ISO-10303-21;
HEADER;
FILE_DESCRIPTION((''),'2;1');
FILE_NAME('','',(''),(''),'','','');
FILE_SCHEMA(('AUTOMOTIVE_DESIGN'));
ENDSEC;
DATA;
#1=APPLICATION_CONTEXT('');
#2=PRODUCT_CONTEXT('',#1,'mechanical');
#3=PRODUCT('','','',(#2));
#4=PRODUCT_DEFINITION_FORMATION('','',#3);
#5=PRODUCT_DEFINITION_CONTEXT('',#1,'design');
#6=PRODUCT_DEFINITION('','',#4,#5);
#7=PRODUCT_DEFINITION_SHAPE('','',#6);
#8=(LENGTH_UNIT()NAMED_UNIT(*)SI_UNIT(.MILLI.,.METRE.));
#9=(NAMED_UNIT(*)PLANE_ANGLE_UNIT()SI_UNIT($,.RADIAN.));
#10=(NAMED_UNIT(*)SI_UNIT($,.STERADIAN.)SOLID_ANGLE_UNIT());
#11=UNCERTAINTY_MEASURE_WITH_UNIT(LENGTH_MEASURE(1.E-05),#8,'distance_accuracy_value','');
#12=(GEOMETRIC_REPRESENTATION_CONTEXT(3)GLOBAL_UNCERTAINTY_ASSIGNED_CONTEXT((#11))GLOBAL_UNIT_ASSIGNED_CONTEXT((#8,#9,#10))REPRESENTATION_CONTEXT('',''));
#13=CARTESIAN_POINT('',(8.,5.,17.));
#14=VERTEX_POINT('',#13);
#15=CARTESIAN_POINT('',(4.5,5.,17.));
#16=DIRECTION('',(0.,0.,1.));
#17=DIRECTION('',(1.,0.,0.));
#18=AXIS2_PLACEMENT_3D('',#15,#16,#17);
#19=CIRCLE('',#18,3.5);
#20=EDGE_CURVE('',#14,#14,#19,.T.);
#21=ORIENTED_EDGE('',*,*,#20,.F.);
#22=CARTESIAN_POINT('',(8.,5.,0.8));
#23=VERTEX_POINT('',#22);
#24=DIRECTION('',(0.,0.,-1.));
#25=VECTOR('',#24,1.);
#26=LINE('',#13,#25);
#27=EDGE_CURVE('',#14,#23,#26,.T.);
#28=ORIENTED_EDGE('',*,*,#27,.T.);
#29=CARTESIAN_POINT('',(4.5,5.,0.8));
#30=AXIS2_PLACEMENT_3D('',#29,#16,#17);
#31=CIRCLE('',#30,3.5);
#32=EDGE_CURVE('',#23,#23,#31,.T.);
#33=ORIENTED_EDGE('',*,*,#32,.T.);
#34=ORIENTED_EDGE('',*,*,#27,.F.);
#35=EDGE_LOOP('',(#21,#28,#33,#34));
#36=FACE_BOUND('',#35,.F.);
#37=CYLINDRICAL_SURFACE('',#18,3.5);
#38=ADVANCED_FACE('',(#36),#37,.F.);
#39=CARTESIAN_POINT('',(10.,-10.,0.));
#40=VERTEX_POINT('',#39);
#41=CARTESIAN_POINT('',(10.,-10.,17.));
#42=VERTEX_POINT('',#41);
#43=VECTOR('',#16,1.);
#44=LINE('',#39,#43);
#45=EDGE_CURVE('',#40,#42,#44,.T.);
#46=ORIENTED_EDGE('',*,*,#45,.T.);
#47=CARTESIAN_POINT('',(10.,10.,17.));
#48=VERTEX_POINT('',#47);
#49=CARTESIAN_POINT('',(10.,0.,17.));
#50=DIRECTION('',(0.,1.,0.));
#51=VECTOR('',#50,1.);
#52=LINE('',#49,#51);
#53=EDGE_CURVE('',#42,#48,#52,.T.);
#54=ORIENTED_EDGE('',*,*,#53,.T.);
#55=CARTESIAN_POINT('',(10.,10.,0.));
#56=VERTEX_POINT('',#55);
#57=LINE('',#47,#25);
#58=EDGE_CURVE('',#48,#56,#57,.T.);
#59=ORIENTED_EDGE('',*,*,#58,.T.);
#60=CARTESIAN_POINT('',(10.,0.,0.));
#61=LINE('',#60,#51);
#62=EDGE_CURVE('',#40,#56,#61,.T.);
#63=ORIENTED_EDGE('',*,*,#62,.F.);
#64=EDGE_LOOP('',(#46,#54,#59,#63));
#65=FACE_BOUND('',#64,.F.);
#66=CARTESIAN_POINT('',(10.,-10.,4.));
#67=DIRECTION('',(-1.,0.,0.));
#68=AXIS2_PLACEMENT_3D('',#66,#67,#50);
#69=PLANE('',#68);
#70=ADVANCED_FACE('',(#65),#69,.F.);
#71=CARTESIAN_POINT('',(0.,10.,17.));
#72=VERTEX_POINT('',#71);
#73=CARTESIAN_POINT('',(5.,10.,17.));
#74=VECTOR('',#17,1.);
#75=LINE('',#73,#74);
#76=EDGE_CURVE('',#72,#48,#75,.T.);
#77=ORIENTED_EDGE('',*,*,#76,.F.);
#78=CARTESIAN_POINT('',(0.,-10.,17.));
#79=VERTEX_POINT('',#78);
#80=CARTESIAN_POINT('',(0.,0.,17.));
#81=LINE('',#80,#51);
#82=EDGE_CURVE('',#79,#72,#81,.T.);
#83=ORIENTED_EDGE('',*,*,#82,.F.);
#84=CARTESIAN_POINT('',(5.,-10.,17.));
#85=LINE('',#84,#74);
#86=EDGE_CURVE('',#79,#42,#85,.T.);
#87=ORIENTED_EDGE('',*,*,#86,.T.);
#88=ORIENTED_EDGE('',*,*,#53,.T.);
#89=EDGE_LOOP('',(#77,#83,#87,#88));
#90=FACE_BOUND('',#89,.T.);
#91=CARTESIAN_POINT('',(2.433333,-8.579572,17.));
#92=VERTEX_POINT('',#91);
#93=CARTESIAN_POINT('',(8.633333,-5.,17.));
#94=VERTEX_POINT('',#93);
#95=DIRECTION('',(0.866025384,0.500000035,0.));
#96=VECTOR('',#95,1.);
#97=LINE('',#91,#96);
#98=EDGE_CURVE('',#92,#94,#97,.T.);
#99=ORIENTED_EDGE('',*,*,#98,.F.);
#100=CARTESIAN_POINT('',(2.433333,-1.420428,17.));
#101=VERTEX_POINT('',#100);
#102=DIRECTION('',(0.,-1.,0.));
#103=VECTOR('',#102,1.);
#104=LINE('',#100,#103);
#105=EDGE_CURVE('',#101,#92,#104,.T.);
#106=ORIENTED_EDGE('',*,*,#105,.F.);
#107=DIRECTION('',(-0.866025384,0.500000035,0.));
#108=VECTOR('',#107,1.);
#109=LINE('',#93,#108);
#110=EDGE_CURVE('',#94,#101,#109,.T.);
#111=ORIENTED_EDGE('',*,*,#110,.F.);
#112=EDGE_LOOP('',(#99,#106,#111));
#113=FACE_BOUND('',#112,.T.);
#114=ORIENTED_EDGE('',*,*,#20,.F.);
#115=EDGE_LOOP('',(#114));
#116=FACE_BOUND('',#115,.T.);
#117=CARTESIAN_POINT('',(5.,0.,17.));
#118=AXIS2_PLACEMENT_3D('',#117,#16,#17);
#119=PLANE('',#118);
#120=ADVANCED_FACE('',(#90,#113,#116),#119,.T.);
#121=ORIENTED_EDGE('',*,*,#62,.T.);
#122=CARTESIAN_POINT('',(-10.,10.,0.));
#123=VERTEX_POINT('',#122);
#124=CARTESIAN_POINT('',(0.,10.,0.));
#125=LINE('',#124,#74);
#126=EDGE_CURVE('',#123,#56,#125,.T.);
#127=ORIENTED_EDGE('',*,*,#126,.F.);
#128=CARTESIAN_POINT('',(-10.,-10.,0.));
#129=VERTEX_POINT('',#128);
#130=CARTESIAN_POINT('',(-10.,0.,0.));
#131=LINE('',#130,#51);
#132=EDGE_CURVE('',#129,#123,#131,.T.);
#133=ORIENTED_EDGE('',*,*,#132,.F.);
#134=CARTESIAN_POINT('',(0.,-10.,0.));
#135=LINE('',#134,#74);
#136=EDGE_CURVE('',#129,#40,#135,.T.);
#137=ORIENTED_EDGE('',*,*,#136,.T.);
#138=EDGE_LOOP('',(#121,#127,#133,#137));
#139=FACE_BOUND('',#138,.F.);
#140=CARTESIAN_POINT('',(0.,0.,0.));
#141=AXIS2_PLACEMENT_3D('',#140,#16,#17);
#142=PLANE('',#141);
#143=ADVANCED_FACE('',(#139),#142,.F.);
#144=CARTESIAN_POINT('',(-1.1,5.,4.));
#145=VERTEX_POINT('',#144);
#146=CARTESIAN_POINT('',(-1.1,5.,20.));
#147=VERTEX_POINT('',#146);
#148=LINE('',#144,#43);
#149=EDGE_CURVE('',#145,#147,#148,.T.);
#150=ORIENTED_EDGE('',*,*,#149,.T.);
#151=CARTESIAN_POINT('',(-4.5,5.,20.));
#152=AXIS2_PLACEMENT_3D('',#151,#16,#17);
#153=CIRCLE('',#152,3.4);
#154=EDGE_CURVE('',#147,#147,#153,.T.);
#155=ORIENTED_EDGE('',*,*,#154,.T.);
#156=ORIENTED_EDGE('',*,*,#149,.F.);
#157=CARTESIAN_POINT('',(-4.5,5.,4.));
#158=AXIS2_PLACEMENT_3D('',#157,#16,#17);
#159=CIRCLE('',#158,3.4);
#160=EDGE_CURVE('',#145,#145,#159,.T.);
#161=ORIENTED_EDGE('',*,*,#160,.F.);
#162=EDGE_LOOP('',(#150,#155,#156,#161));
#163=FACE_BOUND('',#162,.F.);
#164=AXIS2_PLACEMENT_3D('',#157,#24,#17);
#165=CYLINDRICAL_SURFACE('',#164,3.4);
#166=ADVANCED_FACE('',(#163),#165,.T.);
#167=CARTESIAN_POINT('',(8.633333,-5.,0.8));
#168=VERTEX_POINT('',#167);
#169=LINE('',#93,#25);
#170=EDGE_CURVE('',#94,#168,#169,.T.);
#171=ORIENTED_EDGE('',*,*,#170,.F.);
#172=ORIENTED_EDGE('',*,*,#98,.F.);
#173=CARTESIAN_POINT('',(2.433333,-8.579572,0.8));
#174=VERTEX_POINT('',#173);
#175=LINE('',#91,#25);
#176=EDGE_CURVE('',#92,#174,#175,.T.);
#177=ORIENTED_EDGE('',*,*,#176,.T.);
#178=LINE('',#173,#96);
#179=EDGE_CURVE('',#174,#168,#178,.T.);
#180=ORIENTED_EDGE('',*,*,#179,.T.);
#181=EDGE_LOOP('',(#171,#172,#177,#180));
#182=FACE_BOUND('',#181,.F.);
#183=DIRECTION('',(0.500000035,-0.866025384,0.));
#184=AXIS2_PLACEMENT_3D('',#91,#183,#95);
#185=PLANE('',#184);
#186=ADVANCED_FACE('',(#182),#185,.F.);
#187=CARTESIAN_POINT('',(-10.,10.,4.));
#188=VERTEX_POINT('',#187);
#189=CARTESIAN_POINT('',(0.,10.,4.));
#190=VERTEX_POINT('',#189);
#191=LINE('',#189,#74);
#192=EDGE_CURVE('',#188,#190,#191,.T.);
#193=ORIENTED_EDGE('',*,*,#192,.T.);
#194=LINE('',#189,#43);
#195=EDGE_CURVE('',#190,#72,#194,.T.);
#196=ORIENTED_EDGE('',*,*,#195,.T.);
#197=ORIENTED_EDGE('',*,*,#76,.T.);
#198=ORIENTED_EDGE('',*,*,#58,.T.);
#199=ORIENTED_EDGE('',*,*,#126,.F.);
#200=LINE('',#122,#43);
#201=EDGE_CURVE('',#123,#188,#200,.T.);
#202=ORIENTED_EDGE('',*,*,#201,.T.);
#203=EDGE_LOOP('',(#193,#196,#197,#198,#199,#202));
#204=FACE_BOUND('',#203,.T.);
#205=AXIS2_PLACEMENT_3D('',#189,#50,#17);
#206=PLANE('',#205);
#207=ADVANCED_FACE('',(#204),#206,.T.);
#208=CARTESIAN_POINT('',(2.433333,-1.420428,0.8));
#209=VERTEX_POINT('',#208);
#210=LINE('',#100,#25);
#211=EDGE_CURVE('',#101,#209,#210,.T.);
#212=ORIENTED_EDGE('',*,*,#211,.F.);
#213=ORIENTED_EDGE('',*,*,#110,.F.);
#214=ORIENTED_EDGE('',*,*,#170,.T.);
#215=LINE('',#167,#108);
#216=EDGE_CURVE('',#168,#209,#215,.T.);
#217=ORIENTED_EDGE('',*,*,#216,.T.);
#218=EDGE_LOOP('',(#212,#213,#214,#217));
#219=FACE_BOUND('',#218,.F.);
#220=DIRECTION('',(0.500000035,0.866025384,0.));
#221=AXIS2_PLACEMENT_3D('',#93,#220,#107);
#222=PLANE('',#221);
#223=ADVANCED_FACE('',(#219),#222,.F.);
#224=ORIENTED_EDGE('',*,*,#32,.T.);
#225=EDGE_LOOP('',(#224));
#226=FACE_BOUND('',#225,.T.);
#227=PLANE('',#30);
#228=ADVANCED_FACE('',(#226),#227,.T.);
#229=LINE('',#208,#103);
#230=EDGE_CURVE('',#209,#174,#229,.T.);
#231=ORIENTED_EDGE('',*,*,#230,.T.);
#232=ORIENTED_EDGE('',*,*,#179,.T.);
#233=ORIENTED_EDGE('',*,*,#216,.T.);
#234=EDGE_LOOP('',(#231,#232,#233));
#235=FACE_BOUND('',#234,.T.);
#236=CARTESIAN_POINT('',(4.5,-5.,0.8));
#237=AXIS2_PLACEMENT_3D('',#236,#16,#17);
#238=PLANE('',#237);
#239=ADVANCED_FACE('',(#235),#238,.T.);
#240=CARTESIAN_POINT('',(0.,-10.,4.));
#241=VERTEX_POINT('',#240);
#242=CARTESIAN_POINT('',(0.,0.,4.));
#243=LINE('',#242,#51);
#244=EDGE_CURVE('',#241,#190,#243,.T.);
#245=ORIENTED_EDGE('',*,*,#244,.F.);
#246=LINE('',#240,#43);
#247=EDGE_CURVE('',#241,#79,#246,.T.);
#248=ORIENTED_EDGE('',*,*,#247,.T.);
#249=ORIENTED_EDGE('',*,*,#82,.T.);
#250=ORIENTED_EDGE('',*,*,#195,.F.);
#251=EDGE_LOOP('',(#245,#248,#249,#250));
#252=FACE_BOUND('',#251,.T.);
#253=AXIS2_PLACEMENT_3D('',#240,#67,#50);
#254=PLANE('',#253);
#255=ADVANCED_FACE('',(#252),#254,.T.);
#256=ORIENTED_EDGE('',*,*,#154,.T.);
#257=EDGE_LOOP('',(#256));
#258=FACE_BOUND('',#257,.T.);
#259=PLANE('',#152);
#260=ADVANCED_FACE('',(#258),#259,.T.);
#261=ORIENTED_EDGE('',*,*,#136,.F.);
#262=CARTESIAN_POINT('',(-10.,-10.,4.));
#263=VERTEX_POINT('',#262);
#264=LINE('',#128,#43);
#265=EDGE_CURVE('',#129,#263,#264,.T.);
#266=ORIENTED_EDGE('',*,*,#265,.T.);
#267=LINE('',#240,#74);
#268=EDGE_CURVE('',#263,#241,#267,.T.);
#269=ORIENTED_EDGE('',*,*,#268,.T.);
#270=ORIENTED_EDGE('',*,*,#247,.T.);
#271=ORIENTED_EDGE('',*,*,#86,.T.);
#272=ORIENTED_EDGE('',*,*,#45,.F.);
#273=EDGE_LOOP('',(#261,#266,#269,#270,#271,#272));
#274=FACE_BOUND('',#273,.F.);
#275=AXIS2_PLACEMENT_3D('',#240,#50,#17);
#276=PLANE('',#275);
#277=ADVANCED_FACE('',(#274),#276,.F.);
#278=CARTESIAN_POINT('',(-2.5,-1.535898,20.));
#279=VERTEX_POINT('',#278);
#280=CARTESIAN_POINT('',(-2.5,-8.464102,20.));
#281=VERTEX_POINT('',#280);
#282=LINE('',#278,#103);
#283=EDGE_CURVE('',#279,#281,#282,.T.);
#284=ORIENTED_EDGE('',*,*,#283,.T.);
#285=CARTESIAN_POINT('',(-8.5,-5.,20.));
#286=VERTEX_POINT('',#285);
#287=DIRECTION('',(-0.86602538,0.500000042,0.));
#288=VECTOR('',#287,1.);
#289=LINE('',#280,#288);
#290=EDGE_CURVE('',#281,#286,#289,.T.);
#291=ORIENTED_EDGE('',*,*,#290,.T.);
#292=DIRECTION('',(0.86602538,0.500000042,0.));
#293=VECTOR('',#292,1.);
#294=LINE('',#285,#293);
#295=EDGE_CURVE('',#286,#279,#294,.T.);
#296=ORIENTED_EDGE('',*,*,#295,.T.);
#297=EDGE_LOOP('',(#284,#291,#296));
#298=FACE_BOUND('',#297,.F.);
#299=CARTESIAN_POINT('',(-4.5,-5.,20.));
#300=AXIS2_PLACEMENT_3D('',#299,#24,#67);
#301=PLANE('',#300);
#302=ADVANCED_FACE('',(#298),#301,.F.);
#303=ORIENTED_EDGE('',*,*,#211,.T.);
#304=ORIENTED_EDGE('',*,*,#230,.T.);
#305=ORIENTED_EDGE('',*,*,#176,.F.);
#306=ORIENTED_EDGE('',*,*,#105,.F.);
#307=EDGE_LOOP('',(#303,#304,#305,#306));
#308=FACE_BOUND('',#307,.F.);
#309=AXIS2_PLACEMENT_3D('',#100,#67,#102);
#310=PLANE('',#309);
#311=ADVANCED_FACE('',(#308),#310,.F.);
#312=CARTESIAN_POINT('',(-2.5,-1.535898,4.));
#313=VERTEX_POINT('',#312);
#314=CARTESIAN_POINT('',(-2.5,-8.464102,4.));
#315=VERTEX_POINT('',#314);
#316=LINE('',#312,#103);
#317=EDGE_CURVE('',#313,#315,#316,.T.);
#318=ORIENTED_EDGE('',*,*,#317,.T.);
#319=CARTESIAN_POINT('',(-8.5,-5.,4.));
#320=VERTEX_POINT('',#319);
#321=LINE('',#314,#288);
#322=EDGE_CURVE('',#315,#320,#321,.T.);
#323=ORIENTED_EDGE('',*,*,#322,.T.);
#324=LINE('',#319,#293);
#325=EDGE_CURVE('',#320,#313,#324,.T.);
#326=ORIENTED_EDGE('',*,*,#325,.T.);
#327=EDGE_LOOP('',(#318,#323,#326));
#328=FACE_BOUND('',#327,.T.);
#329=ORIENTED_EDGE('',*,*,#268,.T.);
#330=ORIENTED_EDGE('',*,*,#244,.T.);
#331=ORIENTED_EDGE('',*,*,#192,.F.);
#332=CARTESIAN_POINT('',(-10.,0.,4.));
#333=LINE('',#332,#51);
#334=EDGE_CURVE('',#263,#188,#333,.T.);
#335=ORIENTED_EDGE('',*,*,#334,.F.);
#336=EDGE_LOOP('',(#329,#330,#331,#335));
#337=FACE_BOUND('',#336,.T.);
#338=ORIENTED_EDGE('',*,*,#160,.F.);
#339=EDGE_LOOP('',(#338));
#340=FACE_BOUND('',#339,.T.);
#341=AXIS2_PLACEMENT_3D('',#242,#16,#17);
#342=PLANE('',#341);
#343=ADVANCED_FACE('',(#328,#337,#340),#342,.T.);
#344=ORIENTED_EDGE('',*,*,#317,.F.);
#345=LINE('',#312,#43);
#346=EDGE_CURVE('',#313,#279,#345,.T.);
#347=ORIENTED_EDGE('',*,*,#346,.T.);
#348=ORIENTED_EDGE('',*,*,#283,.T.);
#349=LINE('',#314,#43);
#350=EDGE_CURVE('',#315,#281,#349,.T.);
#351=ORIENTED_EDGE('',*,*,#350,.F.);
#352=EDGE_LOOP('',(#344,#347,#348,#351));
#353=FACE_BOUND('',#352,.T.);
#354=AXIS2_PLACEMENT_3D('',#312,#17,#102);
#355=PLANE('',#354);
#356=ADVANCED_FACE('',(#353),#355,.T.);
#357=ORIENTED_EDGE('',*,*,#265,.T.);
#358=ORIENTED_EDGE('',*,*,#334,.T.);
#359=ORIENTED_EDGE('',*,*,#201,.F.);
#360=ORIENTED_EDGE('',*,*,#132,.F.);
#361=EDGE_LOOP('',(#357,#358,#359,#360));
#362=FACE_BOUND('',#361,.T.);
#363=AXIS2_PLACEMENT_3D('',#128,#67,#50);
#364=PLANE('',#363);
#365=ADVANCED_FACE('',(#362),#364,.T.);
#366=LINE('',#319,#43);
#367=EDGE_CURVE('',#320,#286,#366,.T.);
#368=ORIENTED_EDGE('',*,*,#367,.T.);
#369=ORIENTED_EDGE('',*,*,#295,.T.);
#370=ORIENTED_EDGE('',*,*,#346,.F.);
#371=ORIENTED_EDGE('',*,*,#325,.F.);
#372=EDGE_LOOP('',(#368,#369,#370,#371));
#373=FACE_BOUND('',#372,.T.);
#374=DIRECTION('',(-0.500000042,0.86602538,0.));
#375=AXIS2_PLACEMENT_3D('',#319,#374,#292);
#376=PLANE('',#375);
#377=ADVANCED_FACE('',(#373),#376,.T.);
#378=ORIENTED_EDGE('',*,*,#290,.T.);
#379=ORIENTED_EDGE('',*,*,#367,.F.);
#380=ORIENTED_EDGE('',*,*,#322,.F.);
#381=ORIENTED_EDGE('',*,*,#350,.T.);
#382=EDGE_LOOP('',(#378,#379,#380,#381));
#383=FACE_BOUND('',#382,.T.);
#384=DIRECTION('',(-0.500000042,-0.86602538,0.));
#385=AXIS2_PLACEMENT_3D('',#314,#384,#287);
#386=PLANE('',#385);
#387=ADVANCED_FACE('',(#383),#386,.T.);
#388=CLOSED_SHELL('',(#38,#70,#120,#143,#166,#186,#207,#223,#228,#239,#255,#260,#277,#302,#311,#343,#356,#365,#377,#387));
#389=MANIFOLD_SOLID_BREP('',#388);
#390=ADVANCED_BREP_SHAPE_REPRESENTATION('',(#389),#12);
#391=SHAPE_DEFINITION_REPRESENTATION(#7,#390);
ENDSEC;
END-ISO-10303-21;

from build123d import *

# Parameters (mm, degrees)
SKETCH_W     = 20
SKETCH_H     = 20
PAD_DEPTH    = 4
SKETCH001_W  = 10
SKETCH001_H  = 20
PAD001_DEPTH = 13
SKETCH002_R  = 3.4
PAD002_DEPTH = 16
SKETCH003_R  = 3.5
POCKET_DEPTH = 16.2


with BuildPart() as part:
    # Sketch → Pad (new body)
    with BuildSketch(Plane.XY):
        Rectangle(SKETCH_W, SKETCH_H)
    extrude(amount=PAD_DEPTH)

    # Sketch001 → Pad001 (new body)
    with BuildSketch(Plane.XY.offset(4)):
        with Locations((5, 0)):
            Rectangle(SKETCH001_W, SKETCH001_H)
    extrude(amount=PAD001_DEPTH)

    # Sketch002 → Pad002 (new body)
    with BuildSketch(Plane.XY.offset(4)):
        with Locations((-4.5, 5)):
            Circle(SKETCH002_R)
        Polygon((-8.5, -5), (-2.5, -1.535898), (-2.5, -8.464102), align=None)
    extrude(amount=PAD002_DEPTH)

    # Sketch003 → Pocket (cut)
    with BuildSketch(Plane.XY.offset(17)):
        with Locations((4.5, 5)):
            Circle(SKETCH003_R)
        Polygon((2.433333, -1.420428), (2.433333, -8.579572), (8.633333, -5), align=None)
    extrude(amount=-POCKET_DEPTH, mode=Mode.SUBTRACT)


solid = part.part
